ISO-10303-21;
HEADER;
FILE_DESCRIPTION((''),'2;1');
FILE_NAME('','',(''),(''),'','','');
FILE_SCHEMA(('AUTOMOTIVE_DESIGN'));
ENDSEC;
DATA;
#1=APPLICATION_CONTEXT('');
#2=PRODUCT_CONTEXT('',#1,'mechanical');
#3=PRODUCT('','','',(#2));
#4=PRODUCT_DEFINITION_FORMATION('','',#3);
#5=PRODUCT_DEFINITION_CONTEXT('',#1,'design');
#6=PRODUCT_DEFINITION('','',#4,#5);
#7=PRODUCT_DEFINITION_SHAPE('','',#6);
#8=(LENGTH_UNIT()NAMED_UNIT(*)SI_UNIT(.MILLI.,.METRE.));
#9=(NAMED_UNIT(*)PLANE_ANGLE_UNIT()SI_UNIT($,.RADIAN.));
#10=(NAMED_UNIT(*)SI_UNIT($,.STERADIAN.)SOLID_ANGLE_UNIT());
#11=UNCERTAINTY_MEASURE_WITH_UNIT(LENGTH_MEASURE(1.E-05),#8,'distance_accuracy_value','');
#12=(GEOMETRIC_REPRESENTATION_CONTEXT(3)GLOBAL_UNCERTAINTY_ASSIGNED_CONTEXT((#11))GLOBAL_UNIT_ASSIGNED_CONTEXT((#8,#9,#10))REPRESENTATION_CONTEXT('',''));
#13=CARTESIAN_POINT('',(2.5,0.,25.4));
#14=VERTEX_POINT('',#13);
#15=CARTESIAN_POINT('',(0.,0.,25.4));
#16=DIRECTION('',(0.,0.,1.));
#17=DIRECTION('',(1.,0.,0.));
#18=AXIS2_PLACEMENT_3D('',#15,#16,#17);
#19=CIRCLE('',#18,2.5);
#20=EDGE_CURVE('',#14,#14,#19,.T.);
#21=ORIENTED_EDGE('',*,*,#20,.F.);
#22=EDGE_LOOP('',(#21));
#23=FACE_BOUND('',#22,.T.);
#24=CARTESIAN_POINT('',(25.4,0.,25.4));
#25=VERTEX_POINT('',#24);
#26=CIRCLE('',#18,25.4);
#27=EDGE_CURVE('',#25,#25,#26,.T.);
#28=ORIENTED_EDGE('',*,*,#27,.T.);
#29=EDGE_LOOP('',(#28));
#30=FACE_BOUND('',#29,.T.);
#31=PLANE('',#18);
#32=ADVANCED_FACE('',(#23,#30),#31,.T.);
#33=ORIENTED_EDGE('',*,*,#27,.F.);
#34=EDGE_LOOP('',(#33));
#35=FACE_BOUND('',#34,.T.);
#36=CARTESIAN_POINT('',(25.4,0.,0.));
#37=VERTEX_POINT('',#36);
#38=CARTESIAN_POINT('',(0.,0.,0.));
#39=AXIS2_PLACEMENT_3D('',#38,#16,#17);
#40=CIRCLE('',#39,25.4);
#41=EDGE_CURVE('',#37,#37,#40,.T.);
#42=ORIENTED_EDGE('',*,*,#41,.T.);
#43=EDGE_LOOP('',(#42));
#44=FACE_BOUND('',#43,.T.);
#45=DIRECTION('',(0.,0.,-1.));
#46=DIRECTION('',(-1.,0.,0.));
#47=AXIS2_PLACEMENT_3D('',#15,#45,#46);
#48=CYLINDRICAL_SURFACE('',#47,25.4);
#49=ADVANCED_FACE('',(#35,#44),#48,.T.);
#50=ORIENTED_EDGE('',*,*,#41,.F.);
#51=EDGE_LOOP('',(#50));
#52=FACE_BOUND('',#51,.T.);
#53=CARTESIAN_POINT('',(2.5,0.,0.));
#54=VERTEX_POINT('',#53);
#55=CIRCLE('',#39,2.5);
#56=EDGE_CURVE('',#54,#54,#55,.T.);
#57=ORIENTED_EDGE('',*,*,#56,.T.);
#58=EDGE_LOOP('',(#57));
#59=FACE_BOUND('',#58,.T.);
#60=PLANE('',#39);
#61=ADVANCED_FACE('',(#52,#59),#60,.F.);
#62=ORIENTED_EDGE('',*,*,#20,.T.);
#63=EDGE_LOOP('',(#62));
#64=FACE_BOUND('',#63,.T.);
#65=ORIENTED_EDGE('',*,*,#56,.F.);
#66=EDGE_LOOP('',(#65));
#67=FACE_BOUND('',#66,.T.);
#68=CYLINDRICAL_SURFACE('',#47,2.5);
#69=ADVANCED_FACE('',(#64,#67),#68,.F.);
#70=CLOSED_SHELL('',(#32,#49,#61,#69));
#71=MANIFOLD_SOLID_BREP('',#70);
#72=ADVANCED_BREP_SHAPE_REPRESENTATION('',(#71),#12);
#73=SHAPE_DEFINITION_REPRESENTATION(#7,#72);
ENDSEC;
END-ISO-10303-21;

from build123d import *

# Parameters (mm, degrees)
SKETCH2_R           = 25.4
SKETCH2_R_2         = 2.5
BOSS_EXTRUDE1_DEPTH = 25.4


with BuildPart() as part:
    # Sketch2 → Boss-Extrude1 (new body)
    with BuildSketch(Plane.XY):
        Circle(SKETCH2_R)
        Circle(SKETCH2_R_2, mode=Mode.SUBTRACT)
    extrude(amount=BOSS_EXTRUDE1_DEPTH)


solid = part.part
